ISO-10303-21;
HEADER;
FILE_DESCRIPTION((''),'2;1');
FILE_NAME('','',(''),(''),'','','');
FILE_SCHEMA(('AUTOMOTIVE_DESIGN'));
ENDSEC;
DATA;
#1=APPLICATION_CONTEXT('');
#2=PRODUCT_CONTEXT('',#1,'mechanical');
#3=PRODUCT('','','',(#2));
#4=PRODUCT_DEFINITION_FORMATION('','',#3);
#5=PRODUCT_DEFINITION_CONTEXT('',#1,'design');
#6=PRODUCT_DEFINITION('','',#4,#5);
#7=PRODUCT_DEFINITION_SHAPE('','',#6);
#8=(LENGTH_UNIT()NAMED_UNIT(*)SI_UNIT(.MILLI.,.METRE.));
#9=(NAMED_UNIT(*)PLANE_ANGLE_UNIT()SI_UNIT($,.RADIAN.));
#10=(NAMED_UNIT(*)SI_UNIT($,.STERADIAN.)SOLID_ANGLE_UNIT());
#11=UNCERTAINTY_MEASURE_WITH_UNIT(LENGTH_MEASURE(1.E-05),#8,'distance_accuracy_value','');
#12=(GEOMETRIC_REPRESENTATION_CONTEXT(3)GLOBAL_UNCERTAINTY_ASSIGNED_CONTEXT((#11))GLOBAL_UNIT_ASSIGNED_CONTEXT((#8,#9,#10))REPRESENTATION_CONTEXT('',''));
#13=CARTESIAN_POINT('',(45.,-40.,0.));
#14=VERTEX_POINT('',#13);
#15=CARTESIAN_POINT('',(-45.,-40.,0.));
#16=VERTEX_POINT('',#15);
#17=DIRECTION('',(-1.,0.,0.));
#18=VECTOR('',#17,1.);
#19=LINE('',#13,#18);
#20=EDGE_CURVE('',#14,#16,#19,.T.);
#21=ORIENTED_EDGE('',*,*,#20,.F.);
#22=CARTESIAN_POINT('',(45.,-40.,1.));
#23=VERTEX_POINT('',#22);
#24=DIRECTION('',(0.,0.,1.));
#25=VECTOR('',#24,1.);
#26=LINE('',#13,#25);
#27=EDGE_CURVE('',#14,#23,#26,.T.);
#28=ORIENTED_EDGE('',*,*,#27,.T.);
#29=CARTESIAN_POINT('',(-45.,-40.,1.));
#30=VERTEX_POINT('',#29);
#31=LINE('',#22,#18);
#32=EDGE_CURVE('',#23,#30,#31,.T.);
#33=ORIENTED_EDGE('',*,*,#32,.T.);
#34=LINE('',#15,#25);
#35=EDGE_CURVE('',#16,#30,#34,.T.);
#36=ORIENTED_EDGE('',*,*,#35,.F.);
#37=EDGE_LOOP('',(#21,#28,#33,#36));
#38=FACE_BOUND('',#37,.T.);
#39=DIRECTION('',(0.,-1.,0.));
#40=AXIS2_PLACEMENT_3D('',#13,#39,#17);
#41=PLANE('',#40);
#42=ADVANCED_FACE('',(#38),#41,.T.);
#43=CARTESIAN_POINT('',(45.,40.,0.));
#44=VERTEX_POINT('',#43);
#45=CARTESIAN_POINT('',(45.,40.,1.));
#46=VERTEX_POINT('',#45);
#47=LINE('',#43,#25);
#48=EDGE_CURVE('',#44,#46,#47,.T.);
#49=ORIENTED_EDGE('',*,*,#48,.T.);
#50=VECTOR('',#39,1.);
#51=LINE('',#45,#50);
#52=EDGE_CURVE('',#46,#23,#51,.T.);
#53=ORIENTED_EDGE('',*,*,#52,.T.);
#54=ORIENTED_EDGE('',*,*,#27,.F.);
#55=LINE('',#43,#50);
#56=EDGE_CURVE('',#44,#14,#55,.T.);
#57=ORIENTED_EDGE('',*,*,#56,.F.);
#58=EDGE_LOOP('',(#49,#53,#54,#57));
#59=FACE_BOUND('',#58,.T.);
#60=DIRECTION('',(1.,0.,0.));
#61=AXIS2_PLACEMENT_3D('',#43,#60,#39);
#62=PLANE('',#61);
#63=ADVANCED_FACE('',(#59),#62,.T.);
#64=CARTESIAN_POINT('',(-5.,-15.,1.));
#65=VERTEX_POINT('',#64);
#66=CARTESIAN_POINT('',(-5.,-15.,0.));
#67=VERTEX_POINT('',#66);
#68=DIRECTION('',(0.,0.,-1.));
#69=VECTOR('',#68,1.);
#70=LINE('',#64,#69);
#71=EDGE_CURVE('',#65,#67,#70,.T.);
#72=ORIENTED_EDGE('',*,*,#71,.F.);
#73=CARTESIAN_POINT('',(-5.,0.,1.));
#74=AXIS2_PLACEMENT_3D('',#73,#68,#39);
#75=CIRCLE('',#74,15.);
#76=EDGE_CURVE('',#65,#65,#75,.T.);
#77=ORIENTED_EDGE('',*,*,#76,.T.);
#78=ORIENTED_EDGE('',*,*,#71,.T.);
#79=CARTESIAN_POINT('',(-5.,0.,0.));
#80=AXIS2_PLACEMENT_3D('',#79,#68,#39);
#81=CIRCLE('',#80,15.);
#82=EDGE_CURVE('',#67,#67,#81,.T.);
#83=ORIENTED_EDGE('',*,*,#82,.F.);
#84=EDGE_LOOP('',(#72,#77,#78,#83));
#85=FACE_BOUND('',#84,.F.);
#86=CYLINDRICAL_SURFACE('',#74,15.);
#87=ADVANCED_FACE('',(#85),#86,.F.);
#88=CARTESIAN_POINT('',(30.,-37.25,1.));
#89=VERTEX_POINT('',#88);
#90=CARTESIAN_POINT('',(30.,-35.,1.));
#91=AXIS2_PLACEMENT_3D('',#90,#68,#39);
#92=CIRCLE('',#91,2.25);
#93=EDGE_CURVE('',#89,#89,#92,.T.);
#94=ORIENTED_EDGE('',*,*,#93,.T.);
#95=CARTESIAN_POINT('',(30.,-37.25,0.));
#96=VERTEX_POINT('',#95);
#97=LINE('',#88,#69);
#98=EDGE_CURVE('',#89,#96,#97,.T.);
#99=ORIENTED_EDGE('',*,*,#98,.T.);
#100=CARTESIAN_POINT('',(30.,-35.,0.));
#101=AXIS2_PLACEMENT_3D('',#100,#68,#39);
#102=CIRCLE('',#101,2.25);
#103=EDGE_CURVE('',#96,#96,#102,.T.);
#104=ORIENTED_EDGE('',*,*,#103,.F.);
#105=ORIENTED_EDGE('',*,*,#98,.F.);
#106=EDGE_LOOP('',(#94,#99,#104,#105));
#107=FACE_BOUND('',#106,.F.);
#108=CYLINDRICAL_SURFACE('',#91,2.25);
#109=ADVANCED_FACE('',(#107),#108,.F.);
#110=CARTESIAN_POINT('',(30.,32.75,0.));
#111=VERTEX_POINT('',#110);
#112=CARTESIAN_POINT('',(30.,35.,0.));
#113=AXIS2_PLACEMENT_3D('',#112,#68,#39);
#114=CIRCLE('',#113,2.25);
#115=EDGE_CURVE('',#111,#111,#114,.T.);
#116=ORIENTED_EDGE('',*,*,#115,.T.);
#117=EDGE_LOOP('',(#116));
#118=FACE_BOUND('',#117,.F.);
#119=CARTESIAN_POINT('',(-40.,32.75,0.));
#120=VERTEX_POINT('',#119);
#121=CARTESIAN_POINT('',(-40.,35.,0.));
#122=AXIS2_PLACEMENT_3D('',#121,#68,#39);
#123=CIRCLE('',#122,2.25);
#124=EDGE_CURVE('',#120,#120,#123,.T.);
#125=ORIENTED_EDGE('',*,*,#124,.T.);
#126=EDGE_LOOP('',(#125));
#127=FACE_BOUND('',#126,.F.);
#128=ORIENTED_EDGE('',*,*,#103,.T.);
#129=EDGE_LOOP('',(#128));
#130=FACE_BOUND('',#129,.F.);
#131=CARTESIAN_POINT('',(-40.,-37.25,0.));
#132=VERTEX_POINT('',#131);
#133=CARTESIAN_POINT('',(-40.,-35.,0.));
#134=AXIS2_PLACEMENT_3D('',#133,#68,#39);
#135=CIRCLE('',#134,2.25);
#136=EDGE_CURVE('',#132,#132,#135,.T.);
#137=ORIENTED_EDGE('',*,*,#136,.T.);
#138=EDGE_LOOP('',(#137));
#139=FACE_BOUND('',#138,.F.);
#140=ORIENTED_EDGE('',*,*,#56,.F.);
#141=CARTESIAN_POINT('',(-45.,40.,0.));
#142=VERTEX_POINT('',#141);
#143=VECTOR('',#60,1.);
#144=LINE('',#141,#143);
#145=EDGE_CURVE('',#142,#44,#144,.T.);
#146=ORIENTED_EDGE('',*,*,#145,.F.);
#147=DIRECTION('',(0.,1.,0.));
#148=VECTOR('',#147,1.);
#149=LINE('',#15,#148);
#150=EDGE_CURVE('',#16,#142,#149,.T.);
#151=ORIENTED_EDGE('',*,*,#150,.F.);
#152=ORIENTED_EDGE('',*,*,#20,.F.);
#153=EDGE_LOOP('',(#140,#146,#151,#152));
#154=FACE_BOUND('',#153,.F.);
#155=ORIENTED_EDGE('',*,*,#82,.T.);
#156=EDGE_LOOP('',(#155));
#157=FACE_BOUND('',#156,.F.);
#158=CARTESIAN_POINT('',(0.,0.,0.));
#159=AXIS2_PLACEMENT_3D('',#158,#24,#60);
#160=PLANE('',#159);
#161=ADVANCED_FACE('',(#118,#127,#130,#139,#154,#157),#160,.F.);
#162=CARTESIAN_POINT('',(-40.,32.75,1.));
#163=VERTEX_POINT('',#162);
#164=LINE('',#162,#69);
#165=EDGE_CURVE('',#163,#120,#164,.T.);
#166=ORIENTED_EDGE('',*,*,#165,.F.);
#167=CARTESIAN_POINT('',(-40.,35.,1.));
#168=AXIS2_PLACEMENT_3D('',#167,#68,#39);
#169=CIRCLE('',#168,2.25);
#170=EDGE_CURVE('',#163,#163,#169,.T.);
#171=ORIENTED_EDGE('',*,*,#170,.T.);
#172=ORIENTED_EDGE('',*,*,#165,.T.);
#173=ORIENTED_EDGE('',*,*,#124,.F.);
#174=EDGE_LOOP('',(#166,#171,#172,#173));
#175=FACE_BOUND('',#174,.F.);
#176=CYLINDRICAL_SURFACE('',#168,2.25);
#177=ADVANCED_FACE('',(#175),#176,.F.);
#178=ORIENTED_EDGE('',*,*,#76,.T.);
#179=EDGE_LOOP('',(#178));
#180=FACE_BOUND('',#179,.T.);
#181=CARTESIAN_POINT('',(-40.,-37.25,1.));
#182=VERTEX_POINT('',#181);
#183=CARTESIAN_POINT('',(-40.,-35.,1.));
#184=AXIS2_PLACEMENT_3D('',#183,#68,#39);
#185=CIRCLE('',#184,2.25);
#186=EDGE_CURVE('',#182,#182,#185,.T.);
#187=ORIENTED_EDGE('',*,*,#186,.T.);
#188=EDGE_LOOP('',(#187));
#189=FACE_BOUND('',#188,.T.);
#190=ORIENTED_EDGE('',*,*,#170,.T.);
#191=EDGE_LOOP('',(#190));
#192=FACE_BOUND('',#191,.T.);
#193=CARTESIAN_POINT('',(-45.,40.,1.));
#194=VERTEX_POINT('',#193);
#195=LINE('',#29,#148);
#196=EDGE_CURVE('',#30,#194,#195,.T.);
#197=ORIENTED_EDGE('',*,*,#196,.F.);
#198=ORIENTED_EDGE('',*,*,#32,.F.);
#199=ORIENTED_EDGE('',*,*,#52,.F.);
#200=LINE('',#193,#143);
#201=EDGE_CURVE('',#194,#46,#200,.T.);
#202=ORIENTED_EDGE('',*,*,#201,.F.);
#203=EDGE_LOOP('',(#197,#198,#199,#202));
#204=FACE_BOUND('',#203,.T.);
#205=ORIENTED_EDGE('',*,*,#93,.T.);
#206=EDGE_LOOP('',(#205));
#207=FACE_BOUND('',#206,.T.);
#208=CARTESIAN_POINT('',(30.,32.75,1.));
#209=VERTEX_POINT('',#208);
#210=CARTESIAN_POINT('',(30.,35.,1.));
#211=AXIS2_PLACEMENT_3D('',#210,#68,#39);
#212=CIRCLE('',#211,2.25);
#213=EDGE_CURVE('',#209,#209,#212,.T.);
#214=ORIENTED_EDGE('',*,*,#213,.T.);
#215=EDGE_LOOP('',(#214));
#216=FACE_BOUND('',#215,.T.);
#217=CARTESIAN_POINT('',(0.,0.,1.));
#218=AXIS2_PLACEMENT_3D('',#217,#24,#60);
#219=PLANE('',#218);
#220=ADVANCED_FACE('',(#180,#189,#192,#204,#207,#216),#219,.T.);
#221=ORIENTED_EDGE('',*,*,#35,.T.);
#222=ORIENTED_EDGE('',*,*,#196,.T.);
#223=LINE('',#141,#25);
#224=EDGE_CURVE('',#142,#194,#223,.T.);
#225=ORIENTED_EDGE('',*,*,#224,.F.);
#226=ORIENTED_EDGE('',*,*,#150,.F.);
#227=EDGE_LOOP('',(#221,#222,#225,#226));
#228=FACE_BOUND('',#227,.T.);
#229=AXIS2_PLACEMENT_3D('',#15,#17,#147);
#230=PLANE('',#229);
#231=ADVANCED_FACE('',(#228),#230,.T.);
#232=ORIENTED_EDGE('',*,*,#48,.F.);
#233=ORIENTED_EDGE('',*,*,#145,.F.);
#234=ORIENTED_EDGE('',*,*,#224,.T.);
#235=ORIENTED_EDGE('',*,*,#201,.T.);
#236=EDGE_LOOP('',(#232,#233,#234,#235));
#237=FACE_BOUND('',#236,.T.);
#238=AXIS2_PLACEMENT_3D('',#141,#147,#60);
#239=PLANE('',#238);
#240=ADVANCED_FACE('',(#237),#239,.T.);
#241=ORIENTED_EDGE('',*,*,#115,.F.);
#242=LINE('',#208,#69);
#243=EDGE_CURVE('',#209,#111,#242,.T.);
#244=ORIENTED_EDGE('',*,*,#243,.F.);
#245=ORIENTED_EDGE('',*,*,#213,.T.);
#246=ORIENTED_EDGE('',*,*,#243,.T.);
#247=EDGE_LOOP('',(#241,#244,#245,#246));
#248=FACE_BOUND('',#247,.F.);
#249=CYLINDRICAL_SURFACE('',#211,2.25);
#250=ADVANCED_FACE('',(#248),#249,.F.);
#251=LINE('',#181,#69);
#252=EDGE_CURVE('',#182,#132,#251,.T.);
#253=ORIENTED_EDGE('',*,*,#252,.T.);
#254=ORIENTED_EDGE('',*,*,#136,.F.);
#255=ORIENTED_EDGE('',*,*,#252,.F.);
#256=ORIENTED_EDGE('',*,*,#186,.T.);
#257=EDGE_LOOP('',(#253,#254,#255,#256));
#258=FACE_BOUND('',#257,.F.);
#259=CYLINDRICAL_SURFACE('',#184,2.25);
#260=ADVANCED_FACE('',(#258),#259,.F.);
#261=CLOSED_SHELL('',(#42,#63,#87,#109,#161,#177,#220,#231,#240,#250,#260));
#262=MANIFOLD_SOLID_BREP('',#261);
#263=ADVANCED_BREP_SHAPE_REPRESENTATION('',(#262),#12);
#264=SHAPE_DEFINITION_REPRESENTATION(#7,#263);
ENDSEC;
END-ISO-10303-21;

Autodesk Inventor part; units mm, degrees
ref_plane "YZ Plane" through (0, 0, 0) normal (1, 0, 0) x (0, 1, 0)
ref_plane "XZ Plane" through (0, 0, 0) normal (0, 1, 0) x (-1, 0, 0)
ref_plane "XY Plane" through (0, 0, 0) normal (0, 0, 1) x (1, 0, 0)
sketch "Skizze1" plane through (0, 0, 0) normal (0, 0, 1) x (1, 0, 0)
  line L0 (45, -40) -> (-45, -40)
  line L1 (-45, -40) -> (-45, 40)
  line L2 (-45, 40) -> (45, 40)
  line L3 (45, 40) -> (45, -40)
  line L4 (45, -40) -> (-45, 40) construction
  line L5 (-45, -40) -> (45, 40) construction
  point P0 (0, 0)
  dimension "d0" = 90
  dimension "d1" = 80
extrude "Extrusion1" add sketch "Skizze1" along normal blind 1
sketch "Skizze2" plane through (0, 0, 1) normal (0, 0, 1) x (1, 0, 0)
  line L0 (-45, 40) -> (-45, -40) projected
  line L1 (-45, -40) -> (45, -40) projected
  point P0 (-5, 0)
  dimension "d13" = 40
  dimension "d23" = 40
hole "Bohrung1" at (-5, 0, 1) direction (0, 0, -1) diameter 30 end through all
sketch "Skizze3" plane through (0, 0, 1) normal (0, 0, 1) x (1, 0, 0)
  circle A0 centre (-5, 0) radius 15 projected
  line L0 (30, 35) -> (-40, 35)
  line L1 (-40, 35) -> (-40, -35)
  line L2 (-40, -35) -> (30, -35)
  line L3 (30, -35) -> (30, 35)
  line L4 (30, 35) -> (-40, -35) construction
  line L5 (-40, 35) -> (30, -35) construction
  point P0 (0, 0)
  dimension "d14" = 70
hole "Bohrung2" at (30, -35, 1) at (-40, -35, 1) at (-40, 35, 1) at (30, 35, 1) direction (0, 0, -1) diameter 4.5 end through all clearance for "Flachkopfsenkschraube DIN EN ISO 2009" size "M4" standard "DIN"
equation "\"d23\" = d13"
properties part number "Tunel_BackCoverToOdourPort" material "Edelstahl"
